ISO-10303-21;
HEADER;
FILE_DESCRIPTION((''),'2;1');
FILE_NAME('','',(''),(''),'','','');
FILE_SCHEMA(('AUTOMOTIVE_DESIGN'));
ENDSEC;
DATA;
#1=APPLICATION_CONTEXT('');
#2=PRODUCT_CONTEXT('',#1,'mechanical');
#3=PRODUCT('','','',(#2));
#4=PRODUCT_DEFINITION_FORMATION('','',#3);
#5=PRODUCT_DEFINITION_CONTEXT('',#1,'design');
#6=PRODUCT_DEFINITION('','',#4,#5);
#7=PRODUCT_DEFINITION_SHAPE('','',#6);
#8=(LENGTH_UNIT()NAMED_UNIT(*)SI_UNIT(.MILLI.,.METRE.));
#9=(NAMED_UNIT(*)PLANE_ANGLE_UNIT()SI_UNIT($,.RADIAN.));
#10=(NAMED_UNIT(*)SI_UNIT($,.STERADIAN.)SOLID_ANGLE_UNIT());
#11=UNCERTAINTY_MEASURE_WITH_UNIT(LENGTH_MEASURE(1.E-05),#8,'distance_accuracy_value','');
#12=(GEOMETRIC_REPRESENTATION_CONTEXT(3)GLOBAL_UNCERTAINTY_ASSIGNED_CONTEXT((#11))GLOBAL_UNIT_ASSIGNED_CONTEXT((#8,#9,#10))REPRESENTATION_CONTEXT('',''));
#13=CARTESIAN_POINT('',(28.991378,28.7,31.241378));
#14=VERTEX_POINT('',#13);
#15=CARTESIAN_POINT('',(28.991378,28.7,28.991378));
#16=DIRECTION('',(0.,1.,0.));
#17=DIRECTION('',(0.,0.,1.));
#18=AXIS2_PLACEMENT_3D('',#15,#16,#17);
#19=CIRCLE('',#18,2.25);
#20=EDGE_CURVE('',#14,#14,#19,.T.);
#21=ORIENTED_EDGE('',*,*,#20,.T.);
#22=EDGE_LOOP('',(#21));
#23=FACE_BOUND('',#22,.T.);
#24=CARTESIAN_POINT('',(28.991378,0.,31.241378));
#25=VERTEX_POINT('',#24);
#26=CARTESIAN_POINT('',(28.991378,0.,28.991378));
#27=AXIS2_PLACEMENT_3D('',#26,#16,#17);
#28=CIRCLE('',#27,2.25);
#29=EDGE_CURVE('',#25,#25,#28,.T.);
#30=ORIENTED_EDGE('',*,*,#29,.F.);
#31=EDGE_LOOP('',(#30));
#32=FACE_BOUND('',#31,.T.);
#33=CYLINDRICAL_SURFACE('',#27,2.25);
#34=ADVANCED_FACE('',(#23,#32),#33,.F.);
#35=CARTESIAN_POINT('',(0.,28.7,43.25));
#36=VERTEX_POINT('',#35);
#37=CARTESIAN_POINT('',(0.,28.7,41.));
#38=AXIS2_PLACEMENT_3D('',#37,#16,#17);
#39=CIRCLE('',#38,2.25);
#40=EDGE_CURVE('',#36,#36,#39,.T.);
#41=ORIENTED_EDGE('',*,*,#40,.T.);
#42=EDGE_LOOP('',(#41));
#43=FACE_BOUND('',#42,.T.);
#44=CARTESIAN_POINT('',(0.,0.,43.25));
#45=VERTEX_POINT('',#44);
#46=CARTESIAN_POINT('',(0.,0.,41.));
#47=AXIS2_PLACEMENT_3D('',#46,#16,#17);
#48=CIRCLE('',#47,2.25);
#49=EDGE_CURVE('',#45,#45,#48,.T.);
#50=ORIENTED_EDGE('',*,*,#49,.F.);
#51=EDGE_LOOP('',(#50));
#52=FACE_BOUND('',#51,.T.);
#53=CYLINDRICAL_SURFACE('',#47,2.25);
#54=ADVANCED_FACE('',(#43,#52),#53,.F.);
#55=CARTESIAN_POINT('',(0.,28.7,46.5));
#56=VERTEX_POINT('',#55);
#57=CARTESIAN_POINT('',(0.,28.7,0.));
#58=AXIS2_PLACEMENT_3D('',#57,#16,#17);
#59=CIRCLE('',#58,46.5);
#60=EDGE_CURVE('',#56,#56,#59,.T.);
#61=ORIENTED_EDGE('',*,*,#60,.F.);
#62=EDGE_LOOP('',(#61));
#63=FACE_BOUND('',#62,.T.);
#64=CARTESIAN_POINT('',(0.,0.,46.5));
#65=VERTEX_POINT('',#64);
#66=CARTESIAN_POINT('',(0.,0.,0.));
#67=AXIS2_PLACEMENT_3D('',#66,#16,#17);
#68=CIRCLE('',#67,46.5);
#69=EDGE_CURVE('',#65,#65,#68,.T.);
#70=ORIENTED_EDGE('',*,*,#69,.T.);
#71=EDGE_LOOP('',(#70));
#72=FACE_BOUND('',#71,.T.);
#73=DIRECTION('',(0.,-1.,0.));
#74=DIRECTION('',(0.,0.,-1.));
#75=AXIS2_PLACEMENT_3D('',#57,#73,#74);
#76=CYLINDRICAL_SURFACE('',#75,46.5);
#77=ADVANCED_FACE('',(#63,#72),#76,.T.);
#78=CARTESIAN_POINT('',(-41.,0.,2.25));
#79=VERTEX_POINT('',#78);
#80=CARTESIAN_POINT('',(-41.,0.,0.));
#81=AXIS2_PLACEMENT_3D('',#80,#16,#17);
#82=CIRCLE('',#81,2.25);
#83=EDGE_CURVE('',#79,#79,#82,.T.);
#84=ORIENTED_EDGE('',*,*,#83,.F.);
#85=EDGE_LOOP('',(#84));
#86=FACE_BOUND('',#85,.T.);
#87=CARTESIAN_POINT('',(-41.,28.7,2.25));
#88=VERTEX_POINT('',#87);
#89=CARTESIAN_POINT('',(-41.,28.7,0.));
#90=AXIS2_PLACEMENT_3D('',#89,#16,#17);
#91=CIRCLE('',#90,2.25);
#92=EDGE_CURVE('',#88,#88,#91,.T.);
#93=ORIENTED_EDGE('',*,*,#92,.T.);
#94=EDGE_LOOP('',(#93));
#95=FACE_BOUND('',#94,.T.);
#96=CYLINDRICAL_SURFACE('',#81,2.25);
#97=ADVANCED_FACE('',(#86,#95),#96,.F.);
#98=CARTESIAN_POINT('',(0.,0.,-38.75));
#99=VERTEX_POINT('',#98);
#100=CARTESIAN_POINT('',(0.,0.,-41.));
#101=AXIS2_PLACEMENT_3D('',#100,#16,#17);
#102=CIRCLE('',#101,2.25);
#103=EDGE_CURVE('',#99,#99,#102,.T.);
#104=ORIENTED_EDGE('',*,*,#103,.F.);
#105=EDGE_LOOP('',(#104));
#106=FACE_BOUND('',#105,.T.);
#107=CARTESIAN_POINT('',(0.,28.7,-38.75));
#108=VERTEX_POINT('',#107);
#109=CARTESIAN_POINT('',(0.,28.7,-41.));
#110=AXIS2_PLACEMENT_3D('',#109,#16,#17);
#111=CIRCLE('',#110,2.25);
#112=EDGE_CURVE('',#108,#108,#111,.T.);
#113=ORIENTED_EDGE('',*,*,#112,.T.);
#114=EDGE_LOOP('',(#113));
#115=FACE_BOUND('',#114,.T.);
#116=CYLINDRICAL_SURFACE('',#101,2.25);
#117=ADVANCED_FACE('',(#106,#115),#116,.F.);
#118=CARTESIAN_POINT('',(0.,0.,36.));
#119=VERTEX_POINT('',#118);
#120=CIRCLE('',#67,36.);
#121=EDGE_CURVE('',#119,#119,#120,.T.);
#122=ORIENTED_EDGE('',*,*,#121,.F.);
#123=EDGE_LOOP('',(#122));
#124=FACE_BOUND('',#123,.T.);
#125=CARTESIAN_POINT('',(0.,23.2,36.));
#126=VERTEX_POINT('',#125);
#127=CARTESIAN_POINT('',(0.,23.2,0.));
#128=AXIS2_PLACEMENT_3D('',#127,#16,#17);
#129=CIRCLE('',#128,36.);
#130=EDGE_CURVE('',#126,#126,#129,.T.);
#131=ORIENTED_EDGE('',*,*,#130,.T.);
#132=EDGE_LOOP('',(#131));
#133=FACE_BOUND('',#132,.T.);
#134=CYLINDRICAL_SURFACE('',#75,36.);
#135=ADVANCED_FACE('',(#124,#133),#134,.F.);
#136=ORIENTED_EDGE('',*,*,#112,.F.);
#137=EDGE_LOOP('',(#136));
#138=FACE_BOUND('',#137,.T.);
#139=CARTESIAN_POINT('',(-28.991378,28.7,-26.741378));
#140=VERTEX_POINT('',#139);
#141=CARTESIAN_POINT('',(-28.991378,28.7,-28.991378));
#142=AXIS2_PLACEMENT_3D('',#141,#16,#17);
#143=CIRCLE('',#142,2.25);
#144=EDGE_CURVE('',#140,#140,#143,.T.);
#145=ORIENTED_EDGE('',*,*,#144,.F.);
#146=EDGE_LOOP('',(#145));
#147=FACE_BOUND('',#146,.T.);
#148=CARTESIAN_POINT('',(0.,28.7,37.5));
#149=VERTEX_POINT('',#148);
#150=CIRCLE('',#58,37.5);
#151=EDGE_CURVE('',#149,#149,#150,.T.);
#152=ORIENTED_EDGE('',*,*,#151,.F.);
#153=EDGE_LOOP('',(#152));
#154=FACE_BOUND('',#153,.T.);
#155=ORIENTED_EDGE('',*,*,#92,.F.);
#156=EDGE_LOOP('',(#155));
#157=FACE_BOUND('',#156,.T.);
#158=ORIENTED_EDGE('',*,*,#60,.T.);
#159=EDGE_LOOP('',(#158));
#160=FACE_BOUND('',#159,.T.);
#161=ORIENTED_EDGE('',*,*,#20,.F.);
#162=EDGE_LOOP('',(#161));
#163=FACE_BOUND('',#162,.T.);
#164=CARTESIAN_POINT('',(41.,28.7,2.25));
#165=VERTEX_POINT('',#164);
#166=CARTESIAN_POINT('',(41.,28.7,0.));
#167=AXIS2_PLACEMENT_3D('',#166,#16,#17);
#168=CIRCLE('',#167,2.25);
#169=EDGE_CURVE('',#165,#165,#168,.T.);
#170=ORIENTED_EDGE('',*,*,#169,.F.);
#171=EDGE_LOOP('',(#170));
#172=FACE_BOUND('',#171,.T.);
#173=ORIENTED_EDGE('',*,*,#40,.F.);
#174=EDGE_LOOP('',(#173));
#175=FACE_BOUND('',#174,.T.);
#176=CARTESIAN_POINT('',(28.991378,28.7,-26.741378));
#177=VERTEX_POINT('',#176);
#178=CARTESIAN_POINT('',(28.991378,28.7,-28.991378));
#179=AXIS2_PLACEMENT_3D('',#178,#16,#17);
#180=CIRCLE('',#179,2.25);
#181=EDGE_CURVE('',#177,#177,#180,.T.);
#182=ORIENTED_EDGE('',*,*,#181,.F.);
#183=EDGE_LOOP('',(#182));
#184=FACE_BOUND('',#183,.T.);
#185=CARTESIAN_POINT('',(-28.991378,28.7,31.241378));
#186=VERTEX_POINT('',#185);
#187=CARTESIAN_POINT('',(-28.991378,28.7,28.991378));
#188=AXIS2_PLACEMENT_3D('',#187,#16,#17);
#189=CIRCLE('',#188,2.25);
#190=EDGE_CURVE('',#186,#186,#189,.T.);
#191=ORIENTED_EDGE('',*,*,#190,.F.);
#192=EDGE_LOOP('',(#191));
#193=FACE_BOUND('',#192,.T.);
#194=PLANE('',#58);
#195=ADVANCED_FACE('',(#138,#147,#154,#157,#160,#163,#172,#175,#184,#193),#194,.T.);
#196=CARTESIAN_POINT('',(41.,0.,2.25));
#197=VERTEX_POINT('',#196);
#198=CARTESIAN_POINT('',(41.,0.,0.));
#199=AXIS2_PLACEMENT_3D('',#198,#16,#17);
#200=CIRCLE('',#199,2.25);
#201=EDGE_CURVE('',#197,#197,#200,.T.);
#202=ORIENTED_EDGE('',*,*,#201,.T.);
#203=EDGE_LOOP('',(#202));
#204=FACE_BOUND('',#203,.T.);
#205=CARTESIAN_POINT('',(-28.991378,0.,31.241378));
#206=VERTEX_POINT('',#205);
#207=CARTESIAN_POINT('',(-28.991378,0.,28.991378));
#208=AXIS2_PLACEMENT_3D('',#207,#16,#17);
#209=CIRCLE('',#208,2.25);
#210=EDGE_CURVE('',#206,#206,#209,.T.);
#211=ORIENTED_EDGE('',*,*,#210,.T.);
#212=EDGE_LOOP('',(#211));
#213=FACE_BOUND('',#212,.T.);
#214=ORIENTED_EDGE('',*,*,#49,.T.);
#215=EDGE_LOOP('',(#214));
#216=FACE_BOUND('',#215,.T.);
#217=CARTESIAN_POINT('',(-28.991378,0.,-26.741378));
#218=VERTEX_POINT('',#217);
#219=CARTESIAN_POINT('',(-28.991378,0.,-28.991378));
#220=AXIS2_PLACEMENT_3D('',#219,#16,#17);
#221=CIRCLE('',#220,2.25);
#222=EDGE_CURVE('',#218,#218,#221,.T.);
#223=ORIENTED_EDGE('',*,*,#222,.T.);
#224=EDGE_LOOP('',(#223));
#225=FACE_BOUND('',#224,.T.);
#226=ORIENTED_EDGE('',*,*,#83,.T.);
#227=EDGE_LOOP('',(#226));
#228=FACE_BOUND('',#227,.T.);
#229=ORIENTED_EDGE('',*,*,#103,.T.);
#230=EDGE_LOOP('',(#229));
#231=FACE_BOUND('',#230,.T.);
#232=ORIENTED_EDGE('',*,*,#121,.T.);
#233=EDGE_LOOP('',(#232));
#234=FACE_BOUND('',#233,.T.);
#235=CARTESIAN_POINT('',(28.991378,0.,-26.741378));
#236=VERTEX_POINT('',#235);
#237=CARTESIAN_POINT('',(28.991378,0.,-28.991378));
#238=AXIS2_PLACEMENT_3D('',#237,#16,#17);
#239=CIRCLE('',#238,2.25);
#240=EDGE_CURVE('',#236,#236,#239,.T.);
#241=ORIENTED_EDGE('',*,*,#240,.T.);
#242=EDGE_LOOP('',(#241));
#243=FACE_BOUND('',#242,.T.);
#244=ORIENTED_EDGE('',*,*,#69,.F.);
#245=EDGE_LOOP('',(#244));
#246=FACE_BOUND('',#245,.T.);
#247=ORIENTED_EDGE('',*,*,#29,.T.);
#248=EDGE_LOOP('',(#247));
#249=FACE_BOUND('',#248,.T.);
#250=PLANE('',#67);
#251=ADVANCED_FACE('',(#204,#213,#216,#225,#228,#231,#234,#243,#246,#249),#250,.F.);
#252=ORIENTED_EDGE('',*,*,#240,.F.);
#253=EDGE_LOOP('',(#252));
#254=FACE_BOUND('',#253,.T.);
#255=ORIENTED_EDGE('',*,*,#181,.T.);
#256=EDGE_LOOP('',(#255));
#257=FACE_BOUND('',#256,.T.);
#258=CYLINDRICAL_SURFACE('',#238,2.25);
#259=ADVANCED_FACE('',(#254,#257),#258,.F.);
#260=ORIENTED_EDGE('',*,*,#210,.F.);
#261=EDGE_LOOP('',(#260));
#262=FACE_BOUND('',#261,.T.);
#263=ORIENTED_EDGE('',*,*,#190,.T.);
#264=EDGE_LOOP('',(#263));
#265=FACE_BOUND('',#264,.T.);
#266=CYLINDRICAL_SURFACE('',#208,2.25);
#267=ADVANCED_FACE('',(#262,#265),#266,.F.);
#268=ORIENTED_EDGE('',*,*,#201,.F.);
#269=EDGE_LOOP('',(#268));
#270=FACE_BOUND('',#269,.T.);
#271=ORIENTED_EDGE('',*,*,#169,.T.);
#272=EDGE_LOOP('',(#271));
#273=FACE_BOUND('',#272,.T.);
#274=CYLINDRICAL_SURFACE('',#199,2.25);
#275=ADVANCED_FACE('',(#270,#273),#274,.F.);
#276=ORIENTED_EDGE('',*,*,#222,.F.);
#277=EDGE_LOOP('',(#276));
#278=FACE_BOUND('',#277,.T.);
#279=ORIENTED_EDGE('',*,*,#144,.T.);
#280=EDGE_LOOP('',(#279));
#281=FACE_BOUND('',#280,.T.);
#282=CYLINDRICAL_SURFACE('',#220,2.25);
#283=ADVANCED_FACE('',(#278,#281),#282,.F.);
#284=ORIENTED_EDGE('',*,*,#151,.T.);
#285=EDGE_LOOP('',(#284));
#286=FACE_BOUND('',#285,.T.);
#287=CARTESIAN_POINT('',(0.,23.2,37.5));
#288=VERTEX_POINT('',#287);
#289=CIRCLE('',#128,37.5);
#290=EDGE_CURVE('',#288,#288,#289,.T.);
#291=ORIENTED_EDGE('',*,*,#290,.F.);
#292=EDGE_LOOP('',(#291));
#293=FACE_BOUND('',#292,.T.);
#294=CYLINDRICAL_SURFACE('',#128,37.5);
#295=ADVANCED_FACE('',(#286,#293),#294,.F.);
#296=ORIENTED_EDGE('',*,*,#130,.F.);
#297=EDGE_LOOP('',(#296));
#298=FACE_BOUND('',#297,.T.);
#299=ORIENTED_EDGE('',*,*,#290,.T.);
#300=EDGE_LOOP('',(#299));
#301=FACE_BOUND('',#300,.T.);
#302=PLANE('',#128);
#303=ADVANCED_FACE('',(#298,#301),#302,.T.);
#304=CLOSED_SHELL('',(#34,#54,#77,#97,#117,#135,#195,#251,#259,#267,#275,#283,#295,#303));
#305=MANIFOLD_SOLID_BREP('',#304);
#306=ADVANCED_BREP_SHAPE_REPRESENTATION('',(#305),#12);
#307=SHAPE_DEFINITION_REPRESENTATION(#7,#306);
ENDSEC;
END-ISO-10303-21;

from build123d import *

# Parameters (mm, degrees)
SKETCH1_R           = 46.5
SKETCH1_R_2         = 36
BOSS_EXTRUDE1_DEPTH = 28.7
SKETCH2_R           = 2.25
CUT_EXTRUDE1_DEPTH  = 72.750888496
CUT_EXTRUDE2_START  = -5.5
SKETCH3_R           = 37.5
SKETCH3_R_2         = 36
CUT_EXTRUDE2_DEPTH  = 5.5


with BuildPart() as part:
    # Sketch1 → Boss-Extrude1 (new body)
    with BuildSketch(Plane(origin=(0, 0, 0), x_dir=(1, 0, 0), z_dir=(0, 1, 0))):
        with Locations(Location((0, 0, 0), (0, 0, 270))):
            Circle(SKETCH1_R)
        with Locations(Location((0, 0, 0), (0, 0, 270))):
            Circle(SKETCH1_R_2, mode=Mode.SUBTRACT)
    extrude(amount=BOSS_EXTRUDE1_DEPTH)

    # Sketch2 → Cut-Extrude1 (cut, through all)
    with BuildSketch(Plane(origin=(0, 28.7, 0), x_dir=(1, 0, 0), z_dir=(0, 1, 0))):
        with Locations(Location((0, 41, 0), (0, 0, 270))):
            Circle(SKETCH2_R)
        with Locations(Location((28.991378029, 28.991378029, 0), (0, 0, 270))):
            Circle(SKETCH2_R)
        with Locations(Location((41, 0, 0), (0, 0, 270))):
            Circle(SKETCH2_R)
        with Locations(Location((28.991378029, -28.991378029, 0), (0, 0, 270))):
            Circle(SKETCH2_R)
        with Locations(Location((0, -41, 0), (0, 0, 270))):
            Circle(SKETCH2_R)
        with Locations(Location((-28.991378029, -28.991378029, 0), (0, 0, 270))):
            Circle(SKETCH2_R)
        with Locations(Location((-41, 0, 0), (0, 0, 270))):
            Circle(SKETCH2_R)
        with Locations(Location((-28.991378029, 28.991378029, 0), (0, 0, 270))):
            Circle(SKETCH2_R)
    extrude(amount=-CUT_EXTRUDE1_DEPTH, mode=Mode.SUBTRACT)

    # Sketch3 → Cut-Extrude2 (cut)
    with BuildSketch(Plane(origin=(0, 28.7, 0), x_dir=(1, 0, 0), z_dir=(0, 1, 0)).offset(CUT_EXTRUDE2_START)):
        with Locations(Location((0, 0, 0), (0, 0, 270))):
            Circle(SKETCH3_R)
        with Locations(Location((0, 0, 0), (0, 0, 270))):
            Circle(SKETCH3_R_2, mode=Mode.SUBTRACT)
    extrude(amount=CUT_EXTRUDE2_DEPTH, mode=Mode.SUBTRACT)


solid = part.part
